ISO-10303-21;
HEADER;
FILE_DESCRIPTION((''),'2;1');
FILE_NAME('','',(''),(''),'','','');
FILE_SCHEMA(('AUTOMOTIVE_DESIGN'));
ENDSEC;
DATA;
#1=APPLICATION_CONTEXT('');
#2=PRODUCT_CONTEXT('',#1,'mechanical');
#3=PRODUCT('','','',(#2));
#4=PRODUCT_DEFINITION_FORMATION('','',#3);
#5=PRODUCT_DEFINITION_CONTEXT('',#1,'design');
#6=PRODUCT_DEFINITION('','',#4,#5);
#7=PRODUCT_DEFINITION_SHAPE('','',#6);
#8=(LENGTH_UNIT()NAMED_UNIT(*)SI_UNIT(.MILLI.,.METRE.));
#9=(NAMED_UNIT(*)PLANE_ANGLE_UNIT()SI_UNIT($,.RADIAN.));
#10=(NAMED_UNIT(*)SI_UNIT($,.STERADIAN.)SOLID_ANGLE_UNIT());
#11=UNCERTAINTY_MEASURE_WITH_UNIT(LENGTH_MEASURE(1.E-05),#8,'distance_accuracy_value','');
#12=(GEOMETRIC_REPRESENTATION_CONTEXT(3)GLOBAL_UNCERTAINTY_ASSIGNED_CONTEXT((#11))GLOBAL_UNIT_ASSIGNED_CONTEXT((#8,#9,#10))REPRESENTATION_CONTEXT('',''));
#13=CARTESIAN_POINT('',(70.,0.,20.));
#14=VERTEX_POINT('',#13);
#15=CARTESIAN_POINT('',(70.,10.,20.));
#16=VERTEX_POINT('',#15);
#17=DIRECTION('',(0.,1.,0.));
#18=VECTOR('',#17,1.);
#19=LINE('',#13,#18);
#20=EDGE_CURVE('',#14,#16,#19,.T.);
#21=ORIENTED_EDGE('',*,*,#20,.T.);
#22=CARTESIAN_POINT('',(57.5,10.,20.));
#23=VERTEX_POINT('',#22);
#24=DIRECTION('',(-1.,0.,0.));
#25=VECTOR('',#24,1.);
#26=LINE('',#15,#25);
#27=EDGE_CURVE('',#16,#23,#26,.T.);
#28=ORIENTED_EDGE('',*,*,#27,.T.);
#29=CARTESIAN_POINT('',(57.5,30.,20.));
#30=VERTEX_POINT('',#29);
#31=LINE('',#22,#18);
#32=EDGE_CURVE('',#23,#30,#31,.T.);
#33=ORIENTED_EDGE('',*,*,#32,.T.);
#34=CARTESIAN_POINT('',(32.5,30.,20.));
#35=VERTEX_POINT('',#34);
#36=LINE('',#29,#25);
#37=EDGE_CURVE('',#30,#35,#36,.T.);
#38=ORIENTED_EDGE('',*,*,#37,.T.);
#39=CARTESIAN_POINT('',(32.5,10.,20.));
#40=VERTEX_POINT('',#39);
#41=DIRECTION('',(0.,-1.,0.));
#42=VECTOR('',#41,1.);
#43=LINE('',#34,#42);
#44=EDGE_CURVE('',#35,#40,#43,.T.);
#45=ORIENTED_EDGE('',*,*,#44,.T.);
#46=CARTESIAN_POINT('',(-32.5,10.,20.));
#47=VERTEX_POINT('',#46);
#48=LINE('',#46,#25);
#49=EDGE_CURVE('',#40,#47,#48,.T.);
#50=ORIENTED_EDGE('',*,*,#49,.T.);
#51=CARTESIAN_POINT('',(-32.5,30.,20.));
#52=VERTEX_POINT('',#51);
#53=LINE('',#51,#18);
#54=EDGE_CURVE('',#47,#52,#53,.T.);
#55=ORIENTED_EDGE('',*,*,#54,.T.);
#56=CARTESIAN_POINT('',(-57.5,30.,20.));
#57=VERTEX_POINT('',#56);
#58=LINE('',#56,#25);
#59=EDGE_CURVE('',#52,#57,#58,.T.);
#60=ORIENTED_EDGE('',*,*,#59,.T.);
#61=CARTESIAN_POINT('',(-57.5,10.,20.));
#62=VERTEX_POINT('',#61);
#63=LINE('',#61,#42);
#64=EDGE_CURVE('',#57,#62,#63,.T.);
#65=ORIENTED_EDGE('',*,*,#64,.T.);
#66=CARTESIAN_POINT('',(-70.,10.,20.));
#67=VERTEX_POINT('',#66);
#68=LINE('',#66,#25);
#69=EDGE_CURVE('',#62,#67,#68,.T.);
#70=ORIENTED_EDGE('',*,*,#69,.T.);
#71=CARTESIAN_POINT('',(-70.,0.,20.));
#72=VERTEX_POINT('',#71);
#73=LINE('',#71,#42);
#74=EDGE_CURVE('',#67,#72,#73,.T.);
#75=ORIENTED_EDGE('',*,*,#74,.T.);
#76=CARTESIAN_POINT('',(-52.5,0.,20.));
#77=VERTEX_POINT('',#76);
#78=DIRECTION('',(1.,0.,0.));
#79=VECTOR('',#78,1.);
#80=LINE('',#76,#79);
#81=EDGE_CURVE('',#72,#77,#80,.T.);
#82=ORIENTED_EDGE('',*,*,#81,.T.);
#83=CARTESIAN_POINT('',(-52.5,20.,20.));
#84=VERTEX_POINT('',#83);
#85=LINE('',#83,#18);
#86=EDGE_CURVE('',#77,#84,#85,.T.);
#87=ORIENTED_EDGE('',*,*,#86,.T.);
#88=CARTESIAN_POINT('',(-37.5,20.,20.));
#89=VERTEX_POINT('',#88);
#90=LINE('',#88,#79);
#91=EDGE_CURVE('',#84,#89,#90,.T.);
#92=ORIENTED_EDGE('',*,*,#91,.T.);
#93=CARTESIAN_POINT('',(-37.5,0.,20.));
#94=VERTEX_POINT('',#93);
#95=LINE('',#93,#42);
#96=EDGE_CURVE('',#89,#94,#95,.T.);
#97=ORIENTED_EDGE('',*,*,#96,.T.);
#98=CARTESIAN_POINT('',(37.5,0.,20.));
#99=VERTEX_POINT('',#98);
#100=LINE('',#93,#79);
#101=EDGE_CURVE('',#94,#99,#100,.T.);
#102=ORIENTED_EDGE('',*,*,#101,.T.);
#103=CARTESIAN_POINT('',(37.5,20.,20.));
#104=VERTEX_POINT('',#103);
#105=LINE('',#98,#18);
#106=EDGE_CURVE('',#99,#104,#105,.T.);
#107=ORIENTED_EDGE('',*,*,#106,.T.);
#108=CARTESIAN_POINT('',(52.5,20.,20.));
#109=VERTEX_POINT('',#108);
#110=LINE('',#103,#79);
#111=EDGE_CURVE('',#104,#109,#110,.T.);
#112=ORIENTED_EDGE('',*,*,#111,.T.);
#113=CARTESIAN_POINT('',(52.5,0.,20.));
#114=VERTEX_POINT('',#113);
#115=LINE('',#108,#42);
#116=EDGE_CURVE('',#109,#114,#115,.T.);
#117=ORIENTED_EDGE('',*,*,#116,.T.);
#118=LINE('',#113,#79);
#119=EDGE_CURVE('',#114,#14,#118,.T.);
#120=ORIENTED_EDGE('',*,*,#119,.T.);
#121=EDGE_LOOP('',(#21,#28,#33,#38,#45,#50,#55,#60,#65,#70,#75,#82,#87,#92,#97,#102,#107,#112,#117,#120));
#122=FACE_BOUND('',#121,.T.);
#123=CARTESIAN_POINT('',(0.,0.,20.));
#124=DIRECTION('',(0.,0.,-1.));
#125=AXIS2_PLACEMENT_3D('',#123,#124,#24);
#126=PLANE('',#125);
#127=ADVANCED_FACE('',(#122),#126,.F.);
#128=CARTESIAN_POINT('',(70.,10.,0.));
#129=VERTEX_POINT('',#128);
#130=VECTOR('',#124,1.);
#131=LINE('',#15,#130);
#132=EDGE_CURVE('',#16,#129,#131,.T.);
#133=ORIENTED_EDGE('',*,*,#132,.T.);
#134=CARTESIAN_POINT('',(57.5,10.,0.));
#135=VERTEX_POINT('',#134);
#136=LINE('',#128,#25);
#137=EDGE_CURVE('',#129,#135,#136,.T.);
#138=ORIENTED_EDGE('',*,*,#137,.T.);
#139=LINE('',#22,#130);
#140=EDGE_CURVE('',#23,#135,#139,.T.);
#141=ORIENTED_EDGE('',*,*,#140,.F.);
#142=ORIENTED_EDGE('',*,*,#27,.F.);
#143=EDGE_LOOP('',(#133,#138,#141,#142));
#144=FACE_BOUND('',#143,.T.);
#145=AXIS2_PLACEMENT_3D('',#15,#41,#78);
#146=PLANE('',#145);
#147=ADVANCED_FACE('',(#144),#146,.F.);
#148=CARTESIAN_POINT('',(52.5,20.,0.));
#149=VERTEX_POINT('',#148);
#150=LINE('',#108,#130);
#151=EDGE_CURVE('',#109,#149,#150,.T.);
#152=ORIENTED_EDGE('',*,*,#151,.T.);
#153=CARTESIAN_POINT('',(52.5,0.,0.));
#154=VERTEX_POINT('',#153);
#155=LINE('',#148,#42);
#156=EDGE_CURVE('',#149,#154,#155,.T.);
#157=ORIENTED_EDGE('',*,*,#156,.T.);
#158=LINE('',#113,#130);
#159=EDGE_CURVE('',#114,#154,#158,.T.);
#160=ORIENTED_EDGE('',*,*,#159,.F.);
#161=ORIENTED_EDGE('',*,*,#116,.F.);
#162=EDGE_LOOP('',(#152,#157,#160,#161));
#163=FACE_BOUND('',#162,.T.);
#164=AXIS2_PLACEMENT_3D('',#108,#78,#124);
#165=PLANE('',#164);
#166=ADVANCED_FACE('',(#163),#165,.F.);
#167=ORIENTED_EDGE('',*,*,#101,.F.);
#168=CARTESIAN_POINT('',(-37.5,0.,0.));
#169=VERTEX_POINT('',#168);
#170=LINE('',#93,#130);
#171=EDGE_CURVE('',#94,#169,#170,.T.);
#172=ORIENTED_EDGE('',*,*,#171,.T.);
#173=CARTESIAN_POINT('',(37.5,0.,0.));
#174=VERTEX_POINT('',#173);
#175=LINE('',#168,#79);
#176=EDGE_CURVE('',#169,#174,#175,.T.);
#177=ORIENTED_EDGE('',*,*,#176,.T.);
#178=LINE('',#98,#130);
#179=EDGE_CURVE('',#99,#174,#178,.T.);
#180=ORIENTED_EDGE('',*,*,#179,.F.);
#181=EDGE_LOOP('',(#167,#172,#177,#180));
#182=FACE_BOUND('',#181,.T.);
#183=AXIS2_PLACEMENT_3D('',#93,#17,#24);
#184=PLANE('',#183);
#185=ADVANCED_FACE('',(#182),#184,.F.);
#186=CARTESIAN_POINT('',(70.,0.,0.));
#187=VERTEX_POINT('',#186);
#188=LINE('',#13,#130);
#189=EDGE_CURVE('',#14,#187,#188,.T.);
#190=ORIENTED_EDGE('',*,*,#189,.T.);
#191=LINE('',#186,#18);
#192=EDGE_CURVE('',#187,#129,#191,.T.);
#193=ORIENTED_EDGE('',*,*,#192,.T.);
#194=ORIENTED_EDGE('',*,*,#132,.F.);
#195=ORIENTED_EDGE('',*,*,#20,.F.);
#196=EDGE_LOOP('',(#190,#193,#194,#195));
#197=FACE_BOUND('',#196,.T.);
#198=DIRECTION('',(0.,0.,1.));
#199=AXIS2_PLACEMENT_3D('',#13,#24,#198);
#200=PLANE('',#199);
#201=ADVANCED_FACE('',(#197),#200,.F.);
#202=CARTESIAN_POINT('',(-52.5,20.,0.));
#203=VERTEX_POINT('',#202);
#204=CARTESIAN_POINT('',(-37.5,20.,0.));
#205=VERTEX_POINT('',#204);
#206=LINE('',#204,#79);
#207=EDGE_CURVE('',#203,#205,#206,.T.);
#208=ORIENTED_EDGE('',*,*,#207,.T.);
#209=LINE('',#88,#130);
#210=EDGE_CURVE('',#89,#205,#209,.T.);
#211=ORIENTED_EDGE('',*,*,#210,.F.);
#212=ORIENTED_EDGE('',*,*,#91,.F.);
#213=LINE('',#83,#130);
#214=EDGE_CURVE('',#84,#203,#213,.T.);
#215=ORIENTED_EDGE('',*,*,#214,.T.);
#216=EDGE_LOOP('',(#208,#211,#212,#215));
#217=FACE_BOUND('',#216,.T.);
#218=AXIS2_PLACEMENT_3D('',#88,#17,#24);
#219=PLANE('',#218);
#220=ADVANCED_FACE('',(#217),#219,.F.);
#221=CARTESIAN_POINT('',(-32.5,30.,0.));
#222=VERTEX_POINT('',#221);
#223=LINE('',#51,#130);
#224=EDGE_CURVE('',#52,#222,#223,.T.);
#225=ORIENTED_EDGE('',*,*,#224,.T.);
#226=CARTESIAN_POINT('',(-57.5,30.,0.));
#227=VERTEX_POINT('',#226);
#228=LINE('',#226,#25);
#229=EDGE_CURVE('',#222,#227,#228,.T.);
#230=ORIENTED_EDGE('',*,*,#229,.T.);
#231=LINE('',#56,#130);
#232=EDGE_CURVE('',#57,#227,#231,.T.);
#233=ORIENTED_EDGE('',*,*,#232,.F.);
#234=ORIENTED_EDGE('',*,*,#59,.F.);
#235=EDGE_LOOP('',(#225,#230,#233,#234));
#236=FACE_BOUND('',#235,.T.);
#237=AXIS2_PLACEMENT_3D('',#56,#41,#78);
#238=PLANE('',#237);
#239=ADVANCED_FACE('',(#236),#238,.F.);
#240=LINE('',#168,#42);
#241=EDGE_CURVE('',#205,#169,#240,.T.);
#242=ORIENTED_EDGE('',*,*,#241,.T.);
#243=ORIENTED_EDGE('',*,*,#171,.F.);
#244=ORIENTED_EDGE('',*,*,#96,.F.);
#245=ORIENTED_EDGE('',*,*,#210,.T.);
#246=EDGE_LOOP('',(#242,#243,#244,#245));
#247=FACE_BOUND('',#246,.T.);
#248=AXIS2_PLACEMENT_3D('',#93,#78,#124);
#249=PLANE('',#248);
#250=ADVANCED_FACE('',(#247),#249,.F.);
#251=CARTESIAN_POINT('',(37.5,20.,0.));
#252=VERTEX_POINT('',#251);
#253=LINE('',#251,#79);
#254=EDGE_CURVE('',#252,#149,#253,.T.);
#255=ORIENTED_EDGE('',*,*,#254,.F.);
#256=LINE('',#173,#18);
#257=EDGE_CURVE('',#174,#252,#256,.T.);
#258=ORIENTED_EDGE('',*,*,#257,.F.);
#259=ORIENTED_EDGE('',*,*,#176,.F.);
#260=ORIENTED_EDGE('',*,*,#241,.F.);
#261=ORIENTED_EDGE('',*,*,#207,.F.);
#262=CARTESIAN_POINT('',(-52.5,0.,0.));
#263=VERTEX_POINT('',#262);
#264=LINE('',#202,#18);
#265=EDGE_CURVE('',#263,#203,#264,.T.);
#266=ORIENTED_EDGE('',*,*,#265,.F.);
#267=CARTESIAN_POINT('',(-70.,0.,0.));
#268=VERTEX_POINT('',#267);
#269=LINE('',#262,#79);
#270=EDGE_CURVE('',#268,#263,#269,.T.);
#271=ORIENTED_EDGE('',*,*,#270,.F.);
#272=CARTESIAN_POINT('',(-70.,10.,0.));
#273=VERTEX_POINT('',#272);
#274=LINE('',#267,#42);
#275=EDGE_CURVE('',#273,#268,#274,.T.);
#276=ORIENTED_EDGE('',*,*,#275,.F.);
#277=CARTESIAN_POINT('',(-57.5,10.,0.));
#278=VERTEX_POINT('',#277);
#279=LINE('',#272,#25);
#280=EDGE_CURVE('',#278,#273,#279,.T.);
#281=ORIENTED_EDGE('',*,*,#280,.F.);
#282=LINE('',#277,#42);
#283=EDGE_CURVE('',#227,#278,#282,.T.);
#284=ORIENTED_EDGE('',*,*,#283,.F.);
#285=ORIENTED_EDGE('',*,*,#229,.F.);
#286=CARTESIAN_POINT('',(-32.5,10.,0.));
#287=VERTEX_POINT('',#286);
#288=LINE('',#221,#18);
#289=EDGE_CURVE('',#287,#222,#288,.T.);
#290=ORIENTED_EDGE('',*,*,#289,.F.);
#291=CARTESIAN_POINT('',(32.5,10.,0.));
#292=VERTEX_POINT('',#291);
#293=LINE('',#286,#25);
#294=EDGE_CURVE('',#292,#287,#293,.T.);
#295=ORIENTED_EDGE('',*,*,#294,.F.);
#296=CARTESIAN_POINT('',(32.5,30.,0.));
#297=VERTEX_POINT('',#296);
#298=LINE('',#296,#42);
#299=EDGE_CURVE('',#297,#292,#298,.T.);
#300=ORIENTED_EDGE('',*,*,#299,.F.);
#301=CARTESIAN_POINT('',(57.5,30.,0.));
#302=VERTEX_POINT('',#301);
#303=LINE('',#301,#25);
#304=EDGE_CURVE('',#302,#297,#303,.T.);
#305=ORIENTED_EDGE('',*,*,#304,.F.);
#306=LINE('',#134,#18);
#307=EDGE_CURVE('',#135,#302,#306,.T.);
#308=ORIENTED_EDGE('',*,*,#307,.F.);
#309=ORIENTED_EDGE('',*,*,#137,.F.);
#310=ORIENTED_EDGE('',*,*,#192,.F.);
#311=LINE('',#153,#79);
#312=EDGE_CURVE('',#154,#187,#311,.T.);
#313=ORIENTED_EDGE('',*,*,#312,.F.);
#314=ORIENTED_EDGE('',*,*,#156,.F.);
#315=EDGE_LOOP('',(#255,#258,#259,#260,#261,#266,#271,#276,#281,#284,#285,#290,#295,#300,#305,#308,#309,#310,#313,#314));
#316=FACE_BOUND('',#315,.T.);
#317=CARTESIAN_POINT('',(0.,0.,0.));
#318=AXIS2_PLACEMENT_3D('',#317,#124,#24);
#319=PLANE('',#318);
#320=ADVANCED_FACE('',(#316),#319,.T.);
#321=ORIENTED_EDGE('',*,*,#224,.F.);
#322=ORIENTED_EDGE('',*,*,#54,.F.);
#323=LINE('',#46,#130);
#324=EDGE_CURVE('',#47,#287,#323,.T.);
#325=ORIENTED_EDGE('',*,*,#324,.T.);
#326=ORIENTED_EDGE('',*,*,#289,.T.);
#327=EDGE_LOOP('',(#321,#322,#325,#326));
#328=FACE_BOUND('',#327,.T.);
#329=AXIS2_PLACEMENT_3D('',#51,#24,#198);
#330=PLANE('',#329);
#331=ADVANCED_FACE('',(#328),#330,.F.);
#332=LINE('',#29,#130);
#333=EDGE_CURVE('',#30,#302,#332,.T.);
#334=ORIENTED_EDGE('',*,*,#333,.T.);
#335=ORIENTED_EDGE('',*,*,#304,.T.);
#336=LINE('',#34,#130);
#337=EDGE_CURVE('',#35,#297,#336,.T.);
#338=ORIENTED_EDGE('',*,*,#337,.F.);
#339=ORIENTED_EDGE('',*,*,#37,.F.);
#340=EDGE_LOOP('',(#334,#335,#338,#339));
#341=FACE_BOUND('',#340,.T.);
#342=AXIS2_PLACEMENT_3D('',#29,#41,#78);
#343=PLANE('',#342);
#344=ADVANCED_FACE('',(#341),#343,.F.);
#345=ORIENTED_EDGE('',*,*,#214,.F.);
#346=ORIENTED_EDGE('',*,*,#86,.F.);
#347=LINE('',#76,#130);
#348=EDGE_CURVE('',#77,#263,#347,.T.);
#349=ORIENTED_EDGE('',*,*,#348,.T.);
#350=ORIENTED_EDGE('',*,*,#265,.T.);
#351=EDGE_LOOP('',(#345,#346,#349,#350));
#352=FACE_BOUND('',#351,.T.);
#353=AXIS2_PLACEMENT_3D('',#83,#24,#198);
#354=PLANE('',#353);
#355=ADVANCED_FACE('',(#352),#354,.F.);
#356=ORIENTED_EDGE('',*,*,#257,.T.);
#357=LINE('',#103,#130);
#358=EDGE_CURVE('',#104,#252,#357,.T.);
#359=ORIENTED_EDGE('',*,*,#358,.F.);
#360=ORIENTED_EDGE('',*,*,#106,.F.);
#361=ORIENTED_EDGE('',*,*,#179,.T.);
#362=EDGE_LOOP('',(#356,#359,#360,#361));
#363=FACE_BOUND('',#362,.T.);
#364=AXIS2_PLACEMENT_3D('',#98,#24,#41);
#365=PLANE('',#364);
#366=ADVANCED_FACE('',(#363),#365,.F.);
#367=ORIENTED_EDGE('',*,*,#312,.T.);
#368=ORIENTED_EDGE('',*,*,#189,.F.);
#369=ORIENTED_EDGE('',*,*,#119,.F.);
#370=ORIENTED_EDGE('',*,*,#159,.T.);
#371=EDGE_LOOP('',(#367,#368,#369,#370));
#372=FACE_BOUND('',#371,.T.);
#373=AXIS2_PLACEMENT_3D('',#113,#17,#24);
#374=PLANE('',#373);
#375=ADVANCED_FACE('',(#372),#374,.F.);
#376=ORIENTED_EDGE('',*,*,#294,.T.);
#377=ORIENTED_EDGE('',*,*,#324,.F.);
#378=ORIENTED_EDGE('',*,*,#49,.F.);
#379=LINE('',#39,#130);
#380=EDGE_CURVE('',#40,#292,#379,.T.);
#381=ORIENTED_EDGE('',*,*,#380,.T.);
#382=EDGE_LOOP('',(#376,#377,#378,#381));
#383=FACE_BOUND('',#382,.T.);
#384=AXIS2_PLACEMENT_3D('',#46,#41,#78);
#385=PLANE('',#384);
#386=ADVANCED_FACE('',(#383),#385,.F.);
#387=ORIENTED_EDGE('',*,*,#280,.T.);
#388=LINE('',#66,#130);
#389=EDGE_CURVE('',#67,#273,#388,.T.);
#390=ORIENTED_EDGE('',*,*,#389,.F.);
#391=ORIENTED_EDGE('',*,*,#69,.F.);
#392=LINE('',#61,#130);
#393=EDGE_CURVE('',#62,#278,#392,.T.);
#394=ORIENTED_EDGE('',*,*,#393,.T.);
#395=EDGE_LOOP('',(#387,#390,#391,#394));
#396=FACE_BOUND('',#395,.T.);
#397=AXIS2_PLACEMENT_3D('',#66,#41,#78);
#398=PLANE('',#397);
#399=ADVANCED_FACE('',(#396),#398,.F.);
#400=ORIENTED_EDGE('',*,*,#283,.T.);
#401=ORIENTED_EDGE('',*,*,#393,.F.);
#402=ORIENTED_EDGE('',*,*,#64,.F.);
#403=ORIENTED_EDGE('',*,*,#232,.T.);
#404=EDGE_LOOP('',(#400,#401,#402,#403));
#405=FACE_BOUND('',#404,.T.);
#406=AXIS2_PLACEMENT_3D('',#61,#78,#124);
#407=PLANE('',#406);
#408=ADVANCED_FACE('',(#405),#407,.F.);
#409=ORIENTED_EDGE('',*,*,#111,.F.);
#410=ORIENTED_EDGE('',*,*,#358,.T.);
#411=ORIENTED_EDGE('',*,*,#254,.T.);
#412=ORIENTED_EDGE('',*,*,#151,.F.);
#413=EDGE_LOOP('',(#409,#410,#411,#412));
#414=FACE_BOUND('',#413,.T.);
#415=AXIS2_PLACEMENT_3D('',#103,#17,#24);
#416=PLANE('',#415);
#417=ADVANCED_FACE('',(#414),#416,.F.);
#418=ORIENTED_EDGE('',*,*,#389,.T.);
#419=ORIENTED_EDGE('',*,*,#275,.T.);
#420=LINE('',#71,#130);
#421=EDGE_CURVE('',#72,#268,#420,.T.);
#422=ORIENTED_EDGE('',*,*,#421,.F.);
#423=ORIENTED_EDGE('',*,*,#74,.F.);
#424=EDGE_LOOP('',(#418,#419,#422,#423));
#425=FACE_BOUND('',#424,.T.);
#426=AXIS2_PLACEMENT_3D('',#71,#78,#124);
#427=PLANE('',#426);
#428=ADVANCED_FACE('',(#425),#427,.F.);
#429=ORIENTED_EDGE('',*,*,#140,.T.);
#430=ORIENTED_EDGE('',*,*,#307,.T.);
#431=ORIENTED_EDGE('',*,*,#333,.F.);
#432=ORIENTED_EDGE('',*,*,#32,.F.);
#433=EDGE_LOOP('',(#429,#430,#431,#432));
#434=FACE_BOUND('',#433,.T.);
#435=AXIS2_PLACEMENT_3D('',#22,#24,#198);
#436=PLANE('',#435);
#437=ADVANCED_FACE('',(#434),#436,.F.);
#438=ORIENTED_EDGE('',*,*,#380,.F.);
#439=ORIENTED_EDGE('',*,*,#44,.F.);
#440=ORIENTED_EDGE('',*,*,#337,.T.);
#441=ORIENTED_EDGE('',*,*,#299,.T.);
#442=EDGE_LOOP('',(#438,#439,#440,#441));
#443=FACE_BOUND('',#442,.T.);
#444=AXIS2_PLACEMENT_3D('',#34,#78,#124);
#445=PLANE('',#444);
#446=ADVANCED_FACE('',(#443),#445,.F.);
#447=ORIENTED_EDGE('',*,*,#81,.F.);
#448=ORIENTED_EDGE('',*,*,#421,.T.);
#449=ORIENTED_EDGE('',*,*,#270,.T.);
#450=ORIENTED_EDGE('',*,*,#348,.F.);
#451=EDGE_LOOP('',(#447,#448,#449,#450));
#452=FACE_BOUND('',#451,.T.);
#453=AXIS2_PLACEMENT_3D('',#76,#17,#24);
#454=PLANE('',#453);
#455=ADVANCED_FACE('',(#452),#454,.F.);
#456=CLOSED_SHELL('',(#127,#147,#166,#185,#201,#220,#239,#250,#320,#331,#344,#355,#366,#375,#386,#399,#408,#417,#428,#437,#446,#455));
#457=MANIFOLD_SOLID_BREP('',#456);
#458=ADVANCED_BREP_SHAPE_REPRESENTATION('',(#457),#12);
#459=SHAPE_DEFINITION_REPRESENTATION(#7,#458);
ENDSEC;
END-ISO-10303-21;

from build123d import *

# Parameters (mm, degrees)
BOSS_EXTRUDE1_DEPTH = 20


with BuildPart() as part:
    # Sketch1 → Boss-Extrude1 (new body)
    with BuildSketch(Plane.XY):
        Polygon((-37.5, 0), (37.5, 0), (37.5, 20), (52.5, 20), (52.5, 0), (70, 0), (70, 10), (57.5, 10), (57.5, 30), (32.5, 30), (32.5, 10), (-32.5, 10), (-32.5, 30), (-57.5, 30), (-57.5, 10), (-70, 10), (-70, 0), (-52.5, 0), (-52.5, 20), (-37.5, 20), align=None)
    extrude(amount=BOSS_EXTRUDE1_DEPTH)


solid = part.part
